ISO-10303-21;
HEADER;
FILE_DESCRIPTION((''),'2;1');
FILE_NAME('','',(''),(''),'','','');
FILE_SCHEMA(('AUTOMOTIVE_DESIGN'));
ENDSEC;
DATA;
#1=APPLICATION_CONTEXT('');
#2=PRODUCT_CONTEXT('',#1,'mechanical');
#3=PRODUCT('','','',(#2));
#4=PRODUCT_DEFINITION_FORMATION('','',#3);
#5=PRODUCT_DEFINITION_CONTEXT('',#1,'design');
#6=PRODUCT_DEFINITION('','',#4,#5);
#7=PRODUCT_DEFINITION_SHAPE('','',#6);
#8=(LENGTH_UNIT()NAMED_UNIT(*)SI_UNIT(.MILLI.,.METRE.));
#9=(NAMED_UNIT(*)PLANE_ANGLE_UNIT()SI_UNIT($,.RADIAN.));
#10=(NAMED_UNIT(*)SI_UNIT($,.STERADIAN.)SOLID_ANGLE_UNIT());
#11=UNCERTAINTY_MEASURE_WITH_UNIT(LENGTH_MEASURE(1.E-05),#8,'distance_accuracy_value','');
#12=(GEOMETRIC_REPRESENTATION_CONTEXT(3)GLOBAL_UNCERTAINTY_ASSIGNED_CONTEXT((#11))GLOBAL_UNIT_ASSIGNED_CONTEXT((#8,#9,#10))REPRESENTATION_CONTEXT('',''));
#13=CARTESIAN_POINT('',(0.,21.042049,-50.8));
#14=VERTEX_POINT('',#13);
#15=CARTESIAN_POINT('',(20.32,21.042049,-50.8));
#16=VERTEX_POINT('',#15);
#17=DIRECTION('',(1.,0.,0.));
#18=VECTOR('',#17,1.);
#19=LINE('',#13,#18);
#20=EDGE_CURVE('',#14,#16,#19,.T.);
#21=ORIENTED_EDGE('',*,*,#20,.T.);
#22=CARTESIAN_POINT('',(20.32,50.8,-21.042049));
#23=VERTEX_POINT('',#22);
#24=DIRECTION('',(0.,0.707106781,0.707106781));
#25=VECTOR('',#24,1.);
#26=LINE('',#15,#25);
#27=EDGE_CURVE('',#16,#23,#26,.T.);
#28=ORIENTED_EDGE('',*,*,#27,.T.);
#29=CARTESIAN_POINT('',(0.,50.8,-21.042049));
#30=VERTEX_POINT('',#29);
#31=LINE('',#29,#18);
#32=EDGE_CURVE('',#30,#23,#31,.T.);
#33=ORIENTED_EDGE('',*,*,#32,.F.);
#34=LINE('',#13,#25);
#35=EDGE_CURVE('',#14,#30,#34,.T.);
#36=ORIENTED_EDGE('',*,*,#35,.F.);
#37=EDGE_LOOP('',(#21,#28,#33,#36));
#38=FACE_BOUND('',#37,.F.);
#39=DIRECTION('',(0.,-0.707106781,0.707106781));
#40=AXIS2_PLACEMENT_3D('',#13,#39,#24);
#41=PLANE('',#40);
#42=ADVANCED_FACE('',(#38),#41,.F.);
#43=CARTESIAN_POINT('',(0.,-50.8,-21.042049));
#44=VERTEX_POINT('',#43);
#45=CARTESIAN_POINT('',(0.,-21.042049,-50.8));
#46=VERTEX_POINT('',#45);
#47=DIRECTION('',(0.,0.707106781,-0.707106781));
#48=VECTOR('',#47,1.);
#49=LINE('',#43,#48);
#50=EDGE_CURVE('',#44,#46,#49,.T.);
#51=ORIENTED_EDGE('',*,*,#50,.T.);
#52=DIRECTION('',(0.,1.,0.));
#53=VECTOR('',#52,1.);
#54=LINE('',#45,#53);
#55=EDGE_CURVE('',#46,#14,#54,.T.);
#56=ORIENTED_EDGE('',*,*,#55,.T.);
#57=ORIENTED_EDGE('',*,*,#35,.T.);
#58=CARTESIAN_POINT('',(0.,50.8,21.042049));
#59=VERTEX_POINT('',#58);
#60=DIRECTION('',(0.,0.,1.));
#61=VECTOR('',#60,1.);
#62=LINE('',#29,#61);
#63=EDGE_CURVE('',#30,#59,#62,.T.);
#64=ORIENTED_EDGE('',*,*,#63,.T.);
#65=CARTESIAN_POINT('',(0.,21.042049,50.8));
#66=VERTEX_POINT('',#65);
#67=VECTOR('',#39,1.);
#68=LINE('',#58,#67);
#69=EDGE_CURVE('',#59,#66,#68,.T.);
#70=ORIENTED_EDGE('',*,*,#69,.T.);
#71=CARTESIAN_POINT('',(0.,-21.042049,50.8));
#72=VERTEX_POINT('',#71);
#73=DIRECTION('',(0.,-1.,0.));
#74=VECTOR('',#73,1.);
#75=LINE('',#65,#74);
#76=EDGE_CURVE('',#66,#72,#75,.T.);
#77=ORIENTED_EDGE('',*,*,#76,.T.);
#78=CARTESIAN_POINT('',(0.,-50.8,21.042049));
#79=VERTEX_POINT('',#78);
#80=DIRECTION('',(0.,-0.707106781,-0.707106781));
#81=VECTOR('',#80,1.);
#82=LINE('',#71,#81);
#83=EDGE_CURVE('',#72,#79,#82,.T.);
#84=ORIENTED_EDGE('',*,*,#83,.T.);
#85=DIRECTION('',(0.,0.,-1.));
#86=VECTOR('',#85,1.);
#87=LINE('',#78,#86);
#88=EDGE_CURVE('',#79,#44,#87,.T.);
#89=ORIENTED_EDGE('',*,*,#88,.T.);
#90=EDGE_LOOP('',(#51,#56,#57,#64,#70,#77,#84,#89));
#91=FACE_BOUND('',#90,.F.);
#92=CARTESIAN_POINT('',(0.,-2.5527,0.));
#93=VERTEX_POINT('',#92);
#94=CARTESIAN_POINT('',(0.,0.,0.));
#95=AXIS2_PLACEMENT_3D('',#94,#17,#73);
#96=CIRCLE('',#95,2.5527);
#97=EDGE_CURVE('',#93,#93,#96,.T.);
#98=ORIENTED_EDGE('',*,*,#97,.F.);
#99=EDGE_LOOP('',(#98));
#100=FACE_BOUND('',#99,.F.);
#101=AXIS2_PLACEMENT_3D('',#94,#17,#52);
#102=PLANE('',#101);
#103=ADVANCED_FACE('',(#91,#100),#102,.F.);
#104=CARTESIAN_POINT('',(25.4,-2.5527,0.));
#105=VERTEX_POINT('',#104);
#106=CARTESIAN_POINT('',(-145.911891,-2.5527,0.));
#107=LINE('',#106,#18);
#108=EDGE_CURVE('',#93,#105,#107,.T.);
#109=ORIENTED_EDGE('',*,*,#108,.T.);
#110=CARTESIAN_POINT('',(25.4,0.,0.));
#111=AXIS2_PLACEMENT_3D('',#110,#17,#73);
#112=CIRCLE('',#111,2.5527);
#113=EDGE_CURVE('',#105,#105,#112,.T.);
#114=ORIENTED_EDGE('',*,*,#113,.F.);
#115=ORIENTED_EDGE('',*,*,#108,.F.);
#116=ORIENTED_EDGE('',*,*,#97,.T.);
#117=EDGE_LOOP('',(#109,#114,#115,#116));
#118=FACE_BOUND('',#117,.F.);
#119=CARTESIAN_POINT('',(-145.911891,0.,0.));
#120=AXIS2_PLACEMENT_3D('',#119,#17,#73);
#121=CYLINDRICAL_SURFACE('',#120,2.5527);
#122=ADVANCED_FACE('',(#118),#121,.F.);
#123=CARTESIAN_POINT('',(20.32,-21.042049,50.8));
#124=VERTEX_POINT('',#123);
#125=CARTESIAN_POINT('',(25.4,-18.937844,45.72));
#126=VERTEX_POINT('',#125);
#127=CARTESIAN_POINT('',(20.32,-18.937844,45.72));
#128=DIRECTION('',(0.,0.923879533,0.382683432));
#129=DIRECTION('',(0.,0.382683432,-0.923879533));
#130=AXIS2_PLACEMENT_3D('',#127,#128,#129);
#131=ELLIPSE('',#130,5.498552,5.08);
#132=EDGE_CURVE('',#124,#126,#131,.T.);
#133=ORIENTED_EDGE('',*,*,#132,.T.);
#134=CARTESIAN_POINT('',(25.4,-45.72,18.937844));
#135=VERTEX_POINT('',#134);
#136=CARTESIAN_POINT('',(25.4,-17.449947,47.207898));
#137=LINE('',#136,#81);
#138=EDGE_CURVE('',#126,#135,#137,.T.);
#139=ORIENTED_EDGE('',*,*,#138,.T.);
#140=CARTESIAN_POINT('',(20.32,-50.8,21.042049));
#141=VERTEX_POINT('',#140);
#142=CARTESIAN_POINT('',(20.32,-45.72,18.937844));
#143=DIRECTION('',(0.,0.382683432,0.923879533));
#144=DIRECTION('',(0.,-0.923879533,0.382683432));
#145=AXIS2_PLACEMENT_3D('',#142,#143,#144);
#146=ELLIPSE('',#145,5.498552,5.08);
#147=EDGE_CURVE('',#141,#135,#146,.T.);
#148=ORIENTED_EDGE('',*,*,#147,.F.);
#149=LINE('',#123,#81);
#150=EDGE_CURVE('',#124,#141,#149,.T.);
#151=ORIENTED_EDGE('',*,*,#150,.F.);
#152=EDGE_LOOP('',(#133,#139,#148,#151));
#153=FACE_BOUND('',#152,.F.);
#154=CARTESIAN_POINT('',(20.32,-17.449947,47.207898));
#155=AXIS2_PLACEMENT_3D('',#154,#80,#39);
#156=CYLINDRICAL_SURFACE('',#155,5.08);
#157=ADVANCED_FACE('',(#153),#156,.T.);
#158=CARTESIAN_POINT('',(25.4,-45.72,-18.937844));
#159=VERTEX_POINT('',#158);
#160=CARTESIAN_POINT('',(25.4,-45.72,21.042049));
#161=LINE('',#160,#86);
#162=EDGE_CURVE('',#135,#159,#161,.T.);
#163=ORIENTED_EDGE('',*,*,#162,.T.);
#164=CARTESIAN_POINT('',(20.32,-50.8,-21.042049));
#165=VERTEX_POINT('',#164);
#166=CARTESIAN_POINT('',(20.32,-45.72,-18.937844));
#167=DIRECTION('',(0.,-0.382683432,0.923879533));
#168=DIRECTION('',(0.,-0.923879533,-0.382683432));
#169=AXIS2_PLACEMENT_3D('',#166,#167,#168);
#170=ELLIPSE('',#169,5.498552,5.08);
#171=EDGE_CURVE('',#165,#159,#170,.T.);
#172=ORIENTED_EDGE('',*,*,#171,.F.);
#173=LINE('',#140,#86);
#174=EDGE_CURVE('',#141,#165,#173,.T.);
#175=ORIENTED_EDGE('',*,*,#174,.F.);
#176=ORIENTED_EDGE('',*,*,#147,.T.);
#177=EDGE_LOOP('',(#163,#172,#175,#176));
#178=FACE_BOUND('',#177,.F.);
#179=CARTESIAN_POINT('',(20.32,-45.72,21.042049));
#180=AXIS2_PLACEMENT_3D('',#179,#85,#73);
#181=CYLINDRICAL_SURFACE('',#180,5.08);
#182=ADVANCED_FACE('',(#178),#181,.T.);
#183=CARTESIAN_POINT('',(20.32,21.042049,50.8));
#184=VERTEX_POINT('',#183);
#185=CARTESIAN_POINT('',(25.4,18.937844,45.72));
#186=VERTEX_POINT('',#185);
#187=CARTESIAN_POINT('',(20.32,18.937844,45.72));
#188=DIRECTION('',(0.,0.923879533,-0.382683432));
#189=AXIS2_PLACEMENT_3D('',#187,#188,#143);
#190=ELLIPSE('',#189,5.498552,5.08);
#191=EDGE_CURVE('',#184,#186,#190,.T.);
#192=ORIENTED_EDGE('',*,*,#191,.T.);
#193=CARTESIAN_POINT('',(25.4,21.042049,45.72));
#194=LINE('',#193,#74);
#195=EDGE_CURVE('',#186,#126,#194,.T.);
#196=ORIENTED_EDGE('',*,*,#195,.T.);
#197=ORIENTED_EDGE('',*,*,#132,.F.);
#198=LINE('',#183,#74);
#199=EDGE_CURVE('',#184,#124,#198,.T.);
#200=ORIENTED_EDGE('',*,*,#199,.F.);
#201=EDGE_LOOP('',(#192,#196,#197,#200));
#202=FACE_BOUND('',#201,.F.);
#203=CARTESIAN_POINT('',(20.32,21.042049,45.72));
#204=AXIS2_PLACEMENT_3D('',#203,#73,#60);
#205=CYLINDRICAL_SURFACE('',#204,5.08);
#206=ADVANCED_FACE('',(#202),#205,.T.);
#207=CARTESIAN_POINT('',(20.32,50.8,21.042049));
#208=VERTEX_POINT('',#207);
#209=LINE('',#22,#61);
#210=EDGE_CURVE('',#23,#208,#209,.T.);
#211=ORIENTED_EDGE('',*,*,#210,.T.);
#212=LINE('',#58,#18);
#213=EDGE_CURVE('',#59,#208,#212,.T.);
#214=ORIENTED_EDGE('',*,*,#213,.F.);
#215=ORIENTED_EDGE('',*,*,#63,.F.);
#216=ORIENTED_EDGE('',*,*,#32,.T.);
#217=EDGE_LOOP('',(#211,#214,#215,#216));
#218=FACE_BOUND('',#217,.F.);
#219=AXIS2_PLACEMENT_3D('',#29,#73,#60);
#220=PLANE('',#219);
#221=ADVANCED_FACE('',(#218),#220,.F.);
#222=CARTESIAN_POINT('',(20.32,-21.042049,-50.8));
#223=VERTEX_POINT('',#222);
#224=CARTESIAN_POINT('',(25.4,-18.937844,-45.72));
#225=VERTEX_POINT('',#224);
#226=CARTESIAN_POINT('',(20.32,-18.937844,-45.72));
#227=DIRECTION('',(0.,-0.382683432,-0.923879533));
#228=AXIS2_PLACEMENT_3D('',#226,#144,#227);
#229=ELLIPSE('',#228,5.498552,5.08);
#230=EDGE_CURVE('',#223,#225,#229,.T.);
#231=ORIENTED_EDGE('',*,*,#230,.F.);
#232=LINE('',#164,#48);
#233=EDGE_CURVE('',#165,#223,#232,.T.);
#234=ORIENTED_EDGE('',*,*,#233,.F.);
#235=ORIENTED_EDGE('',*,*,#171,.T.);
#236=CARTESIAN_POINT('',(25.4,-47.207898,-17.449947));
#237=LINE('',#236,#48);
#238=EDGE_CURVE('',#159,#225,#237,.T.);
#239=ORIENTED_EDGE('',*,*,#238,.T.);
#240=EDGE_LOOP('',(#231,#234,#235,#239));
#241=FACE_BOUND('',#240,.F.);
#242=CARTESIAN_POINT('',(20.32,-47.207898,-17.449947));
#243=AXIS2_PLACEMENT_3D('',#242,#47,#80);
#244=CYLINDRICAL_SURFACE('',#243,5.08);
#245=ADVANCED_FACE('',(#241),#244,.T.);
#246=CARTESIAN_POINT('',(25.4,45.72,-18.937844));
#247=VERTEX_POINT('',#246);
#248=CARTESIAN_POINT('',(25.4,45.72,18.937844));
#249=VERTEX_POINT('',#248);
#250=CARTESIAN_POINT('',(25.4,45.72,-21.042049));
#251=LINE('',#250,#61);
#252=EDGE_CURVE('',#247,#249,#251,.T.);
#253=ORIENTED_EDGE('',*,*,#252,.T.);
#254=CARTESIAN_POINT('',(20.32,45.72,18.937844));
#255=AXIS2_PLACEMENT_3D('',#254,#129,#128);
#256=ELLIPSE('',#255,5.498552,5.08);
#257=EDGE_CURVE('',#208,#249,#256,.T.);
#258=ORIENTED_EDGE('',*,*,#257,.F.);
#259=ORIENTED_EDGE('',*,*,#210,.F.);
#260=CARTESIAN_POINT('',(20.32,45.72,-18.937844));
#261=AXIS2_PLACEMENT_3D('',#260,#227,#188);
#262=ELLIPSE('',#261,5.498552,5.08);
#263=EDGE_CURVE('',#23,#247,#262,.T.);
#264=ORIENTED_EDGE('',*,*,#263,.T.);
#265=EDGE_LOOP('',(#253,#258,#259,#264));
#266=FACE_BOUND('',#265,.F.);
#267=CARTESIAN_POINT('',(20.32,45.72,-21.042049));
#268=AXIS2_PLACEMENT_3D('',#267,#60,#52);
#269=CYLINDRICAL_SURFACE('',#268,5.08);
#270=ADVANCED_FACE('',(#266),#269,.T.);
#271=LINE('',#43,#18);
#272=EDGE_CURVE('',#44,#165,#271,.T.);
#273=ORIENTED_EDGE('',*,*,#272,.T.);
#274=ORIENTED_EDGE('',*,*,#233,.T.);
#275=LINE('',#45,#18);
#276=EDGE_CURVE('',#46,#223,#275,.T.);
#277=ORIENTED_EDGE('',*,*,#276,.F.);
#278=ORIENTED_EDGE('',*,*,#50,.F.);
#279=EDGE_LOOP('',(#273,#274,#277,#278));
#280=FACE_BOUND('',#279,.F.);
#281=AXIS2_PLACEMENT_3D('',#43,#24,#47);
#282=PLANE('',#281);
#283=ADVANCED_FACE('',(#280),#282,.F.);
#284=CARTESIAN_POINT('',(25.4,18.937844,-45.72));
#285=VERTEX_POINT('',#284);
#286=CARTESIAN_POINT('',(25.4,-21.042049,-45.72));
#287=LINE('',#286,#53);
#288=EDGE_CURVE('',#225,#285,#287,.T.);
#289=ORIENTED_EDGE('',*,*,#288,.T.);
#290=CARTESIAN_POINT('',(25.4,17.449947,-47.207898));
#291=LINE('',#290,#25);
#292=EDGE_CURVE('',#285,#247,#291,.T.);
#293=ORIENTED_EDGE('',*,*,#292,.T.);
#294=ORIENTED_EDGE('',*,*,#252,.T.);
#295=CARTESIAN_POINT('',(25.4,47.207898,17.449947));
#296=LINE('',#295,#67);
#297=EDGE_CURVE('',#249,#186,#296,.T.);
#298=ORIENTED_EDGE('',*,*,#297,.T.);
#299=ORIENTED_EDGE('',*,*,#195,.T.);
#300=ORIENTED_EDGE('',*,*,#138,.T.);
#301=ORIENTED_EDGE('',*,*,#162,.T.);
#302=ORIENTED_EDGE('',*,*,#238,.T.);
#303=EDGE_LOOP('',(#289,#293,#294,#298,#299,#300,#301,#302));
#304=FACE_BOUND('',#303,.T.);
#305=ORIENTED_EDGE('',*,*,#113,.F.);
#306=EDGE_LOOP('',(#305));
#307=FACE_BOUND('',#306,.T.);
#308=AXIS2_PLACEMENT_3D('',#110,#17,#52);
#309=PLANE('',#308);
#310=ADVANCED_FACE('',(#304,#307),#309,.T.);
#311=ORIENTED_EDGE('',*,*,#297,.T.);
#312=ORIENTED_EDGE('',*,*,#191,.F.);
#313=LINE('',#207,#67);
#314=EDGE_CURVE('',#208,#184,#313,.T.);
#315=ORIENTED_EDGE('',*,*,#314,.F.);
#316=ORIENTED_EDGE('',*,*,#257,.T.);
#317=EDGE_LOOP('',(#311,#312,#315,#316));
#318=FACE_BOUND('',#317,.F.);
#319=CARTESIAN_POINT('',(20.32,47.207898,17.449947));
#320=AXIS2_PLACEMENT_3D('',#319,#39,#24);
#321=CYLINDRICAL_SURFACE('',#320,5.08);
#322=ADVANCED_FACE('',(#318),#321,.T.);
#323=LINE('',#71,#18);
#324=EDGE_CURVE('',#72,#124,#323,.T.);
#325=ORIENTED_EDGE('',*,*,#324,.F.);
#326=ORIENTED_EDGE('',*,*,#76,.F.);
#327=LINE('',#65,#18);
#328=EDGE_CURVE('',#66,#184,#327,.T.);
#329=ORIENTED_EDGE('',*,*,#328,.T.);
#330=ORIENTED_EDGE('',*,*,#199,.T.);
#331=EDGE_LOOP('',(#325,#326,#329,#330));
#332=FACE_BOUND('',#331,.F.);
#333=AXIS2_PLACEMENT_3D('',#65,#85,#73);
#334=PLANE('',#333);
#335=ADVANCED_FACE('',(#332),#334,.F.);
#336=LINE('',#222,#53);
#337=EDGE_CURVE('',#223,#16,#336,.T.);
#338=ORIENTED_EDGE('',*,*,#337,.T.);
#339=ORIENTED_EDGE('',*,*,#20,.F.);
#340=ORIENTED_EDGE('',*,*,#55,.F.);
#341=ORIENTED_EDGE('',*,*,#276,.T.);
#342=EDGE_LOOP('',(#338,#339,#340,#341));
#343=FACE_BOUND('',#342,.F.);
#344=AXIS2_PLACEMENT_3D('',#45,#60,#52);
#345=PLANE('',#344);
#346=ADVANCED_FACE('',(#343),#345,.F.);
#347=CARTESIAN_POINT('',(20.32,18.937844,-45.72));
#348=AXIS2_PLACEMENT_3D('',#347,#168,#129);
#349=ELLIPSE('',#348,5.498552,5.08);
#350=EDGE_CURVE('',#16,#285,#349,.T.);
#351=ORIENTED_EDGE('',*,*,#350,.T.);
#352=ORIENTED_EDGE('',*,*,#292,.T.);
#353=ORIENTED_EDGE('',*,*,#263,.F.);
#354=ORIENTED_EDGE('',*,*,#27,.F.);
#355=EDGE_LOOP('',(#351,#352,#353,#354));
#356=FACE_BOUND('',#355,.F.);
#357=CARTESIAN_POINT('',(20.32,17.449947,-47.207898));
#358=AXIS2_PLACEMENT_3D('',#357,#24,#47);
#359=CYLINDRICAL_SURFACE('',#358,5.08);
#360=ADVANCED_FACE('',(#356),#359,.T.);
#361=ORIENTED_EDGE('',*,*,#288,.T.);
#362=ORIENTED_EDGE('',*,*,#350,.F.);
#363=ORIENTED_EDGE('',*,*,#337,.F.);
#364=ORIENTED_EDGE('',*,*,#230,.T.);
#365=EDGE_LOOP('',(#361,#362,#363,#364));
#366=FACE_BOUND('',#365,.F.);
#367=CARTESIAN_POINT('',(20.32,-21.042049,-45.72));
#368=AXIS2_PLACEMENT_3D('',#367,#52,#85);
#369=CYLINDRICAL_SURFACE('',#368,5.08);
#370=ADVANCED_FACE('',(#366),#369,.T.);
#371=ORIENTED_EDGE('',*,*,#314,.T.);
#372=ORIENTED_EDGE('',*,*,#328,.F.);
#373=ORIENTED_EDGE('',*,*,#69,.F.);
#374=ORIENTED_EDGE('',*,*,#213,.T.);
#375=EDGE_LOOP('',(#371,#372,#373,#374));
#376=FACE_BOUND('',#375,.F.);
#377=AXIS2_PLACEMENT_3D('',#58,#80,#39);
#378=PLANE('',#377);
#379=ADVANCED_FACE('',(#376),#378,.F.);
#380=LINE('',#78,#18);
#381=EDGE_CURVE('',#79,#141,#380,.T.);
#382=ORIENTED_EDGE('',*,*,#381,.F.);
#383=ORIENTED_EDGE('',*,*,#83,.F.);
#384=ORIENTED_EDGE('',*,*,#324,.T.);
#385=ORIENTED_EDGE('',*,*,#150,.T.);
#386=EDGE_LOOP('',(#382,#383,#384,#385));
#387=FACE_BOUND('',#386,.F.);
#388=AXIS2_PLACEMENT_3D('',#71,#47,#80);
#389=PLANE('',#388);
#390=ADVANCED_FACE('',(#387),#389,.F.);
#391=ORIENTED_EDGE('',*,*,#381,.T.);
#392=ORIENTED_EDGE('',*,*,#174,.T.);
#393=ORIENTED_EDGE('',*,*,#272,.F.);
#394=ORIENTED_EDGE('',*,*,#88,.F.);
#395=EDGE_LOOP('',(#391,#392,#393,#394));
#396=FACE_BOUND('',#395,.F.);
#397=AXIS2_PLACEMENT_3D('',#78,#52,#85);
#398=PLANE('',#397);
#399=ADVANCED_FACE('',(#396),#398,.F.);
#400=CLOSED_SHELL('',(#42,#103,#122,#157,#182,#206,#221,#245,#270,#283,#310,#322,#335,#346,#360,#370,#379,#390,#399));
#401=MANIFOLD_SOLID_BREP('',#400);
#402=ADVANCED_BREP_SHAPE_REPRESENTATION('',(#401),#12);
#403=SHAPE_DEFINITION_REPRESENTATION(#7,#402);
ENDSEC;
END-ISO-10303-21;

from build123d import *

# Parameters (mm, degrees)
F1_DEPTH = 25.4
F2_R     = 5.08
F3_D     = 5.1054


with BuildPart() as f1:
    # F0 (on Right) → F1 (new body)
    with BuildSketch(Plane.YZ):
        Polygon((50.8, -21.0420489686), (50.8, 21.0420489686), (21.0420489686, 50.8), (-21.0420489686, 50.8), (-50.8, 21.0420489686), (-50.8, -21.0420489686), (-21.0420489686, -50.8), (21.0420489686, -50.8), align=None)
    extrude(amount=F1_DEPTH)

    # F2
    f2_edges = [f1.edges().sort_by_distance(p)[0] for p in [
        (25.4, -35.921024, 35.921024),
        (25.4, -50.8, 0),
        (25.4, -35.921024, -35.921024),
        (25.4, 0, -50.8),
        (25.4, 35.921024, -35.921024),
        (25.4, 50.8, 0),
        (25.4, 35.921024, 35.921024),
        (25.4, 0, 50.8),
    ]]
    fillet(f2_edges, radius=F2_R)

    # F3 (through all)
    with Locations(Plane(origin=(0, 0, 0), x_dir=(0, 1, 0), z_dir=(-1, 0, 0))):
        with Locations((0, 0)):
            Hole(F3_D / 2)


solid = f1.part
